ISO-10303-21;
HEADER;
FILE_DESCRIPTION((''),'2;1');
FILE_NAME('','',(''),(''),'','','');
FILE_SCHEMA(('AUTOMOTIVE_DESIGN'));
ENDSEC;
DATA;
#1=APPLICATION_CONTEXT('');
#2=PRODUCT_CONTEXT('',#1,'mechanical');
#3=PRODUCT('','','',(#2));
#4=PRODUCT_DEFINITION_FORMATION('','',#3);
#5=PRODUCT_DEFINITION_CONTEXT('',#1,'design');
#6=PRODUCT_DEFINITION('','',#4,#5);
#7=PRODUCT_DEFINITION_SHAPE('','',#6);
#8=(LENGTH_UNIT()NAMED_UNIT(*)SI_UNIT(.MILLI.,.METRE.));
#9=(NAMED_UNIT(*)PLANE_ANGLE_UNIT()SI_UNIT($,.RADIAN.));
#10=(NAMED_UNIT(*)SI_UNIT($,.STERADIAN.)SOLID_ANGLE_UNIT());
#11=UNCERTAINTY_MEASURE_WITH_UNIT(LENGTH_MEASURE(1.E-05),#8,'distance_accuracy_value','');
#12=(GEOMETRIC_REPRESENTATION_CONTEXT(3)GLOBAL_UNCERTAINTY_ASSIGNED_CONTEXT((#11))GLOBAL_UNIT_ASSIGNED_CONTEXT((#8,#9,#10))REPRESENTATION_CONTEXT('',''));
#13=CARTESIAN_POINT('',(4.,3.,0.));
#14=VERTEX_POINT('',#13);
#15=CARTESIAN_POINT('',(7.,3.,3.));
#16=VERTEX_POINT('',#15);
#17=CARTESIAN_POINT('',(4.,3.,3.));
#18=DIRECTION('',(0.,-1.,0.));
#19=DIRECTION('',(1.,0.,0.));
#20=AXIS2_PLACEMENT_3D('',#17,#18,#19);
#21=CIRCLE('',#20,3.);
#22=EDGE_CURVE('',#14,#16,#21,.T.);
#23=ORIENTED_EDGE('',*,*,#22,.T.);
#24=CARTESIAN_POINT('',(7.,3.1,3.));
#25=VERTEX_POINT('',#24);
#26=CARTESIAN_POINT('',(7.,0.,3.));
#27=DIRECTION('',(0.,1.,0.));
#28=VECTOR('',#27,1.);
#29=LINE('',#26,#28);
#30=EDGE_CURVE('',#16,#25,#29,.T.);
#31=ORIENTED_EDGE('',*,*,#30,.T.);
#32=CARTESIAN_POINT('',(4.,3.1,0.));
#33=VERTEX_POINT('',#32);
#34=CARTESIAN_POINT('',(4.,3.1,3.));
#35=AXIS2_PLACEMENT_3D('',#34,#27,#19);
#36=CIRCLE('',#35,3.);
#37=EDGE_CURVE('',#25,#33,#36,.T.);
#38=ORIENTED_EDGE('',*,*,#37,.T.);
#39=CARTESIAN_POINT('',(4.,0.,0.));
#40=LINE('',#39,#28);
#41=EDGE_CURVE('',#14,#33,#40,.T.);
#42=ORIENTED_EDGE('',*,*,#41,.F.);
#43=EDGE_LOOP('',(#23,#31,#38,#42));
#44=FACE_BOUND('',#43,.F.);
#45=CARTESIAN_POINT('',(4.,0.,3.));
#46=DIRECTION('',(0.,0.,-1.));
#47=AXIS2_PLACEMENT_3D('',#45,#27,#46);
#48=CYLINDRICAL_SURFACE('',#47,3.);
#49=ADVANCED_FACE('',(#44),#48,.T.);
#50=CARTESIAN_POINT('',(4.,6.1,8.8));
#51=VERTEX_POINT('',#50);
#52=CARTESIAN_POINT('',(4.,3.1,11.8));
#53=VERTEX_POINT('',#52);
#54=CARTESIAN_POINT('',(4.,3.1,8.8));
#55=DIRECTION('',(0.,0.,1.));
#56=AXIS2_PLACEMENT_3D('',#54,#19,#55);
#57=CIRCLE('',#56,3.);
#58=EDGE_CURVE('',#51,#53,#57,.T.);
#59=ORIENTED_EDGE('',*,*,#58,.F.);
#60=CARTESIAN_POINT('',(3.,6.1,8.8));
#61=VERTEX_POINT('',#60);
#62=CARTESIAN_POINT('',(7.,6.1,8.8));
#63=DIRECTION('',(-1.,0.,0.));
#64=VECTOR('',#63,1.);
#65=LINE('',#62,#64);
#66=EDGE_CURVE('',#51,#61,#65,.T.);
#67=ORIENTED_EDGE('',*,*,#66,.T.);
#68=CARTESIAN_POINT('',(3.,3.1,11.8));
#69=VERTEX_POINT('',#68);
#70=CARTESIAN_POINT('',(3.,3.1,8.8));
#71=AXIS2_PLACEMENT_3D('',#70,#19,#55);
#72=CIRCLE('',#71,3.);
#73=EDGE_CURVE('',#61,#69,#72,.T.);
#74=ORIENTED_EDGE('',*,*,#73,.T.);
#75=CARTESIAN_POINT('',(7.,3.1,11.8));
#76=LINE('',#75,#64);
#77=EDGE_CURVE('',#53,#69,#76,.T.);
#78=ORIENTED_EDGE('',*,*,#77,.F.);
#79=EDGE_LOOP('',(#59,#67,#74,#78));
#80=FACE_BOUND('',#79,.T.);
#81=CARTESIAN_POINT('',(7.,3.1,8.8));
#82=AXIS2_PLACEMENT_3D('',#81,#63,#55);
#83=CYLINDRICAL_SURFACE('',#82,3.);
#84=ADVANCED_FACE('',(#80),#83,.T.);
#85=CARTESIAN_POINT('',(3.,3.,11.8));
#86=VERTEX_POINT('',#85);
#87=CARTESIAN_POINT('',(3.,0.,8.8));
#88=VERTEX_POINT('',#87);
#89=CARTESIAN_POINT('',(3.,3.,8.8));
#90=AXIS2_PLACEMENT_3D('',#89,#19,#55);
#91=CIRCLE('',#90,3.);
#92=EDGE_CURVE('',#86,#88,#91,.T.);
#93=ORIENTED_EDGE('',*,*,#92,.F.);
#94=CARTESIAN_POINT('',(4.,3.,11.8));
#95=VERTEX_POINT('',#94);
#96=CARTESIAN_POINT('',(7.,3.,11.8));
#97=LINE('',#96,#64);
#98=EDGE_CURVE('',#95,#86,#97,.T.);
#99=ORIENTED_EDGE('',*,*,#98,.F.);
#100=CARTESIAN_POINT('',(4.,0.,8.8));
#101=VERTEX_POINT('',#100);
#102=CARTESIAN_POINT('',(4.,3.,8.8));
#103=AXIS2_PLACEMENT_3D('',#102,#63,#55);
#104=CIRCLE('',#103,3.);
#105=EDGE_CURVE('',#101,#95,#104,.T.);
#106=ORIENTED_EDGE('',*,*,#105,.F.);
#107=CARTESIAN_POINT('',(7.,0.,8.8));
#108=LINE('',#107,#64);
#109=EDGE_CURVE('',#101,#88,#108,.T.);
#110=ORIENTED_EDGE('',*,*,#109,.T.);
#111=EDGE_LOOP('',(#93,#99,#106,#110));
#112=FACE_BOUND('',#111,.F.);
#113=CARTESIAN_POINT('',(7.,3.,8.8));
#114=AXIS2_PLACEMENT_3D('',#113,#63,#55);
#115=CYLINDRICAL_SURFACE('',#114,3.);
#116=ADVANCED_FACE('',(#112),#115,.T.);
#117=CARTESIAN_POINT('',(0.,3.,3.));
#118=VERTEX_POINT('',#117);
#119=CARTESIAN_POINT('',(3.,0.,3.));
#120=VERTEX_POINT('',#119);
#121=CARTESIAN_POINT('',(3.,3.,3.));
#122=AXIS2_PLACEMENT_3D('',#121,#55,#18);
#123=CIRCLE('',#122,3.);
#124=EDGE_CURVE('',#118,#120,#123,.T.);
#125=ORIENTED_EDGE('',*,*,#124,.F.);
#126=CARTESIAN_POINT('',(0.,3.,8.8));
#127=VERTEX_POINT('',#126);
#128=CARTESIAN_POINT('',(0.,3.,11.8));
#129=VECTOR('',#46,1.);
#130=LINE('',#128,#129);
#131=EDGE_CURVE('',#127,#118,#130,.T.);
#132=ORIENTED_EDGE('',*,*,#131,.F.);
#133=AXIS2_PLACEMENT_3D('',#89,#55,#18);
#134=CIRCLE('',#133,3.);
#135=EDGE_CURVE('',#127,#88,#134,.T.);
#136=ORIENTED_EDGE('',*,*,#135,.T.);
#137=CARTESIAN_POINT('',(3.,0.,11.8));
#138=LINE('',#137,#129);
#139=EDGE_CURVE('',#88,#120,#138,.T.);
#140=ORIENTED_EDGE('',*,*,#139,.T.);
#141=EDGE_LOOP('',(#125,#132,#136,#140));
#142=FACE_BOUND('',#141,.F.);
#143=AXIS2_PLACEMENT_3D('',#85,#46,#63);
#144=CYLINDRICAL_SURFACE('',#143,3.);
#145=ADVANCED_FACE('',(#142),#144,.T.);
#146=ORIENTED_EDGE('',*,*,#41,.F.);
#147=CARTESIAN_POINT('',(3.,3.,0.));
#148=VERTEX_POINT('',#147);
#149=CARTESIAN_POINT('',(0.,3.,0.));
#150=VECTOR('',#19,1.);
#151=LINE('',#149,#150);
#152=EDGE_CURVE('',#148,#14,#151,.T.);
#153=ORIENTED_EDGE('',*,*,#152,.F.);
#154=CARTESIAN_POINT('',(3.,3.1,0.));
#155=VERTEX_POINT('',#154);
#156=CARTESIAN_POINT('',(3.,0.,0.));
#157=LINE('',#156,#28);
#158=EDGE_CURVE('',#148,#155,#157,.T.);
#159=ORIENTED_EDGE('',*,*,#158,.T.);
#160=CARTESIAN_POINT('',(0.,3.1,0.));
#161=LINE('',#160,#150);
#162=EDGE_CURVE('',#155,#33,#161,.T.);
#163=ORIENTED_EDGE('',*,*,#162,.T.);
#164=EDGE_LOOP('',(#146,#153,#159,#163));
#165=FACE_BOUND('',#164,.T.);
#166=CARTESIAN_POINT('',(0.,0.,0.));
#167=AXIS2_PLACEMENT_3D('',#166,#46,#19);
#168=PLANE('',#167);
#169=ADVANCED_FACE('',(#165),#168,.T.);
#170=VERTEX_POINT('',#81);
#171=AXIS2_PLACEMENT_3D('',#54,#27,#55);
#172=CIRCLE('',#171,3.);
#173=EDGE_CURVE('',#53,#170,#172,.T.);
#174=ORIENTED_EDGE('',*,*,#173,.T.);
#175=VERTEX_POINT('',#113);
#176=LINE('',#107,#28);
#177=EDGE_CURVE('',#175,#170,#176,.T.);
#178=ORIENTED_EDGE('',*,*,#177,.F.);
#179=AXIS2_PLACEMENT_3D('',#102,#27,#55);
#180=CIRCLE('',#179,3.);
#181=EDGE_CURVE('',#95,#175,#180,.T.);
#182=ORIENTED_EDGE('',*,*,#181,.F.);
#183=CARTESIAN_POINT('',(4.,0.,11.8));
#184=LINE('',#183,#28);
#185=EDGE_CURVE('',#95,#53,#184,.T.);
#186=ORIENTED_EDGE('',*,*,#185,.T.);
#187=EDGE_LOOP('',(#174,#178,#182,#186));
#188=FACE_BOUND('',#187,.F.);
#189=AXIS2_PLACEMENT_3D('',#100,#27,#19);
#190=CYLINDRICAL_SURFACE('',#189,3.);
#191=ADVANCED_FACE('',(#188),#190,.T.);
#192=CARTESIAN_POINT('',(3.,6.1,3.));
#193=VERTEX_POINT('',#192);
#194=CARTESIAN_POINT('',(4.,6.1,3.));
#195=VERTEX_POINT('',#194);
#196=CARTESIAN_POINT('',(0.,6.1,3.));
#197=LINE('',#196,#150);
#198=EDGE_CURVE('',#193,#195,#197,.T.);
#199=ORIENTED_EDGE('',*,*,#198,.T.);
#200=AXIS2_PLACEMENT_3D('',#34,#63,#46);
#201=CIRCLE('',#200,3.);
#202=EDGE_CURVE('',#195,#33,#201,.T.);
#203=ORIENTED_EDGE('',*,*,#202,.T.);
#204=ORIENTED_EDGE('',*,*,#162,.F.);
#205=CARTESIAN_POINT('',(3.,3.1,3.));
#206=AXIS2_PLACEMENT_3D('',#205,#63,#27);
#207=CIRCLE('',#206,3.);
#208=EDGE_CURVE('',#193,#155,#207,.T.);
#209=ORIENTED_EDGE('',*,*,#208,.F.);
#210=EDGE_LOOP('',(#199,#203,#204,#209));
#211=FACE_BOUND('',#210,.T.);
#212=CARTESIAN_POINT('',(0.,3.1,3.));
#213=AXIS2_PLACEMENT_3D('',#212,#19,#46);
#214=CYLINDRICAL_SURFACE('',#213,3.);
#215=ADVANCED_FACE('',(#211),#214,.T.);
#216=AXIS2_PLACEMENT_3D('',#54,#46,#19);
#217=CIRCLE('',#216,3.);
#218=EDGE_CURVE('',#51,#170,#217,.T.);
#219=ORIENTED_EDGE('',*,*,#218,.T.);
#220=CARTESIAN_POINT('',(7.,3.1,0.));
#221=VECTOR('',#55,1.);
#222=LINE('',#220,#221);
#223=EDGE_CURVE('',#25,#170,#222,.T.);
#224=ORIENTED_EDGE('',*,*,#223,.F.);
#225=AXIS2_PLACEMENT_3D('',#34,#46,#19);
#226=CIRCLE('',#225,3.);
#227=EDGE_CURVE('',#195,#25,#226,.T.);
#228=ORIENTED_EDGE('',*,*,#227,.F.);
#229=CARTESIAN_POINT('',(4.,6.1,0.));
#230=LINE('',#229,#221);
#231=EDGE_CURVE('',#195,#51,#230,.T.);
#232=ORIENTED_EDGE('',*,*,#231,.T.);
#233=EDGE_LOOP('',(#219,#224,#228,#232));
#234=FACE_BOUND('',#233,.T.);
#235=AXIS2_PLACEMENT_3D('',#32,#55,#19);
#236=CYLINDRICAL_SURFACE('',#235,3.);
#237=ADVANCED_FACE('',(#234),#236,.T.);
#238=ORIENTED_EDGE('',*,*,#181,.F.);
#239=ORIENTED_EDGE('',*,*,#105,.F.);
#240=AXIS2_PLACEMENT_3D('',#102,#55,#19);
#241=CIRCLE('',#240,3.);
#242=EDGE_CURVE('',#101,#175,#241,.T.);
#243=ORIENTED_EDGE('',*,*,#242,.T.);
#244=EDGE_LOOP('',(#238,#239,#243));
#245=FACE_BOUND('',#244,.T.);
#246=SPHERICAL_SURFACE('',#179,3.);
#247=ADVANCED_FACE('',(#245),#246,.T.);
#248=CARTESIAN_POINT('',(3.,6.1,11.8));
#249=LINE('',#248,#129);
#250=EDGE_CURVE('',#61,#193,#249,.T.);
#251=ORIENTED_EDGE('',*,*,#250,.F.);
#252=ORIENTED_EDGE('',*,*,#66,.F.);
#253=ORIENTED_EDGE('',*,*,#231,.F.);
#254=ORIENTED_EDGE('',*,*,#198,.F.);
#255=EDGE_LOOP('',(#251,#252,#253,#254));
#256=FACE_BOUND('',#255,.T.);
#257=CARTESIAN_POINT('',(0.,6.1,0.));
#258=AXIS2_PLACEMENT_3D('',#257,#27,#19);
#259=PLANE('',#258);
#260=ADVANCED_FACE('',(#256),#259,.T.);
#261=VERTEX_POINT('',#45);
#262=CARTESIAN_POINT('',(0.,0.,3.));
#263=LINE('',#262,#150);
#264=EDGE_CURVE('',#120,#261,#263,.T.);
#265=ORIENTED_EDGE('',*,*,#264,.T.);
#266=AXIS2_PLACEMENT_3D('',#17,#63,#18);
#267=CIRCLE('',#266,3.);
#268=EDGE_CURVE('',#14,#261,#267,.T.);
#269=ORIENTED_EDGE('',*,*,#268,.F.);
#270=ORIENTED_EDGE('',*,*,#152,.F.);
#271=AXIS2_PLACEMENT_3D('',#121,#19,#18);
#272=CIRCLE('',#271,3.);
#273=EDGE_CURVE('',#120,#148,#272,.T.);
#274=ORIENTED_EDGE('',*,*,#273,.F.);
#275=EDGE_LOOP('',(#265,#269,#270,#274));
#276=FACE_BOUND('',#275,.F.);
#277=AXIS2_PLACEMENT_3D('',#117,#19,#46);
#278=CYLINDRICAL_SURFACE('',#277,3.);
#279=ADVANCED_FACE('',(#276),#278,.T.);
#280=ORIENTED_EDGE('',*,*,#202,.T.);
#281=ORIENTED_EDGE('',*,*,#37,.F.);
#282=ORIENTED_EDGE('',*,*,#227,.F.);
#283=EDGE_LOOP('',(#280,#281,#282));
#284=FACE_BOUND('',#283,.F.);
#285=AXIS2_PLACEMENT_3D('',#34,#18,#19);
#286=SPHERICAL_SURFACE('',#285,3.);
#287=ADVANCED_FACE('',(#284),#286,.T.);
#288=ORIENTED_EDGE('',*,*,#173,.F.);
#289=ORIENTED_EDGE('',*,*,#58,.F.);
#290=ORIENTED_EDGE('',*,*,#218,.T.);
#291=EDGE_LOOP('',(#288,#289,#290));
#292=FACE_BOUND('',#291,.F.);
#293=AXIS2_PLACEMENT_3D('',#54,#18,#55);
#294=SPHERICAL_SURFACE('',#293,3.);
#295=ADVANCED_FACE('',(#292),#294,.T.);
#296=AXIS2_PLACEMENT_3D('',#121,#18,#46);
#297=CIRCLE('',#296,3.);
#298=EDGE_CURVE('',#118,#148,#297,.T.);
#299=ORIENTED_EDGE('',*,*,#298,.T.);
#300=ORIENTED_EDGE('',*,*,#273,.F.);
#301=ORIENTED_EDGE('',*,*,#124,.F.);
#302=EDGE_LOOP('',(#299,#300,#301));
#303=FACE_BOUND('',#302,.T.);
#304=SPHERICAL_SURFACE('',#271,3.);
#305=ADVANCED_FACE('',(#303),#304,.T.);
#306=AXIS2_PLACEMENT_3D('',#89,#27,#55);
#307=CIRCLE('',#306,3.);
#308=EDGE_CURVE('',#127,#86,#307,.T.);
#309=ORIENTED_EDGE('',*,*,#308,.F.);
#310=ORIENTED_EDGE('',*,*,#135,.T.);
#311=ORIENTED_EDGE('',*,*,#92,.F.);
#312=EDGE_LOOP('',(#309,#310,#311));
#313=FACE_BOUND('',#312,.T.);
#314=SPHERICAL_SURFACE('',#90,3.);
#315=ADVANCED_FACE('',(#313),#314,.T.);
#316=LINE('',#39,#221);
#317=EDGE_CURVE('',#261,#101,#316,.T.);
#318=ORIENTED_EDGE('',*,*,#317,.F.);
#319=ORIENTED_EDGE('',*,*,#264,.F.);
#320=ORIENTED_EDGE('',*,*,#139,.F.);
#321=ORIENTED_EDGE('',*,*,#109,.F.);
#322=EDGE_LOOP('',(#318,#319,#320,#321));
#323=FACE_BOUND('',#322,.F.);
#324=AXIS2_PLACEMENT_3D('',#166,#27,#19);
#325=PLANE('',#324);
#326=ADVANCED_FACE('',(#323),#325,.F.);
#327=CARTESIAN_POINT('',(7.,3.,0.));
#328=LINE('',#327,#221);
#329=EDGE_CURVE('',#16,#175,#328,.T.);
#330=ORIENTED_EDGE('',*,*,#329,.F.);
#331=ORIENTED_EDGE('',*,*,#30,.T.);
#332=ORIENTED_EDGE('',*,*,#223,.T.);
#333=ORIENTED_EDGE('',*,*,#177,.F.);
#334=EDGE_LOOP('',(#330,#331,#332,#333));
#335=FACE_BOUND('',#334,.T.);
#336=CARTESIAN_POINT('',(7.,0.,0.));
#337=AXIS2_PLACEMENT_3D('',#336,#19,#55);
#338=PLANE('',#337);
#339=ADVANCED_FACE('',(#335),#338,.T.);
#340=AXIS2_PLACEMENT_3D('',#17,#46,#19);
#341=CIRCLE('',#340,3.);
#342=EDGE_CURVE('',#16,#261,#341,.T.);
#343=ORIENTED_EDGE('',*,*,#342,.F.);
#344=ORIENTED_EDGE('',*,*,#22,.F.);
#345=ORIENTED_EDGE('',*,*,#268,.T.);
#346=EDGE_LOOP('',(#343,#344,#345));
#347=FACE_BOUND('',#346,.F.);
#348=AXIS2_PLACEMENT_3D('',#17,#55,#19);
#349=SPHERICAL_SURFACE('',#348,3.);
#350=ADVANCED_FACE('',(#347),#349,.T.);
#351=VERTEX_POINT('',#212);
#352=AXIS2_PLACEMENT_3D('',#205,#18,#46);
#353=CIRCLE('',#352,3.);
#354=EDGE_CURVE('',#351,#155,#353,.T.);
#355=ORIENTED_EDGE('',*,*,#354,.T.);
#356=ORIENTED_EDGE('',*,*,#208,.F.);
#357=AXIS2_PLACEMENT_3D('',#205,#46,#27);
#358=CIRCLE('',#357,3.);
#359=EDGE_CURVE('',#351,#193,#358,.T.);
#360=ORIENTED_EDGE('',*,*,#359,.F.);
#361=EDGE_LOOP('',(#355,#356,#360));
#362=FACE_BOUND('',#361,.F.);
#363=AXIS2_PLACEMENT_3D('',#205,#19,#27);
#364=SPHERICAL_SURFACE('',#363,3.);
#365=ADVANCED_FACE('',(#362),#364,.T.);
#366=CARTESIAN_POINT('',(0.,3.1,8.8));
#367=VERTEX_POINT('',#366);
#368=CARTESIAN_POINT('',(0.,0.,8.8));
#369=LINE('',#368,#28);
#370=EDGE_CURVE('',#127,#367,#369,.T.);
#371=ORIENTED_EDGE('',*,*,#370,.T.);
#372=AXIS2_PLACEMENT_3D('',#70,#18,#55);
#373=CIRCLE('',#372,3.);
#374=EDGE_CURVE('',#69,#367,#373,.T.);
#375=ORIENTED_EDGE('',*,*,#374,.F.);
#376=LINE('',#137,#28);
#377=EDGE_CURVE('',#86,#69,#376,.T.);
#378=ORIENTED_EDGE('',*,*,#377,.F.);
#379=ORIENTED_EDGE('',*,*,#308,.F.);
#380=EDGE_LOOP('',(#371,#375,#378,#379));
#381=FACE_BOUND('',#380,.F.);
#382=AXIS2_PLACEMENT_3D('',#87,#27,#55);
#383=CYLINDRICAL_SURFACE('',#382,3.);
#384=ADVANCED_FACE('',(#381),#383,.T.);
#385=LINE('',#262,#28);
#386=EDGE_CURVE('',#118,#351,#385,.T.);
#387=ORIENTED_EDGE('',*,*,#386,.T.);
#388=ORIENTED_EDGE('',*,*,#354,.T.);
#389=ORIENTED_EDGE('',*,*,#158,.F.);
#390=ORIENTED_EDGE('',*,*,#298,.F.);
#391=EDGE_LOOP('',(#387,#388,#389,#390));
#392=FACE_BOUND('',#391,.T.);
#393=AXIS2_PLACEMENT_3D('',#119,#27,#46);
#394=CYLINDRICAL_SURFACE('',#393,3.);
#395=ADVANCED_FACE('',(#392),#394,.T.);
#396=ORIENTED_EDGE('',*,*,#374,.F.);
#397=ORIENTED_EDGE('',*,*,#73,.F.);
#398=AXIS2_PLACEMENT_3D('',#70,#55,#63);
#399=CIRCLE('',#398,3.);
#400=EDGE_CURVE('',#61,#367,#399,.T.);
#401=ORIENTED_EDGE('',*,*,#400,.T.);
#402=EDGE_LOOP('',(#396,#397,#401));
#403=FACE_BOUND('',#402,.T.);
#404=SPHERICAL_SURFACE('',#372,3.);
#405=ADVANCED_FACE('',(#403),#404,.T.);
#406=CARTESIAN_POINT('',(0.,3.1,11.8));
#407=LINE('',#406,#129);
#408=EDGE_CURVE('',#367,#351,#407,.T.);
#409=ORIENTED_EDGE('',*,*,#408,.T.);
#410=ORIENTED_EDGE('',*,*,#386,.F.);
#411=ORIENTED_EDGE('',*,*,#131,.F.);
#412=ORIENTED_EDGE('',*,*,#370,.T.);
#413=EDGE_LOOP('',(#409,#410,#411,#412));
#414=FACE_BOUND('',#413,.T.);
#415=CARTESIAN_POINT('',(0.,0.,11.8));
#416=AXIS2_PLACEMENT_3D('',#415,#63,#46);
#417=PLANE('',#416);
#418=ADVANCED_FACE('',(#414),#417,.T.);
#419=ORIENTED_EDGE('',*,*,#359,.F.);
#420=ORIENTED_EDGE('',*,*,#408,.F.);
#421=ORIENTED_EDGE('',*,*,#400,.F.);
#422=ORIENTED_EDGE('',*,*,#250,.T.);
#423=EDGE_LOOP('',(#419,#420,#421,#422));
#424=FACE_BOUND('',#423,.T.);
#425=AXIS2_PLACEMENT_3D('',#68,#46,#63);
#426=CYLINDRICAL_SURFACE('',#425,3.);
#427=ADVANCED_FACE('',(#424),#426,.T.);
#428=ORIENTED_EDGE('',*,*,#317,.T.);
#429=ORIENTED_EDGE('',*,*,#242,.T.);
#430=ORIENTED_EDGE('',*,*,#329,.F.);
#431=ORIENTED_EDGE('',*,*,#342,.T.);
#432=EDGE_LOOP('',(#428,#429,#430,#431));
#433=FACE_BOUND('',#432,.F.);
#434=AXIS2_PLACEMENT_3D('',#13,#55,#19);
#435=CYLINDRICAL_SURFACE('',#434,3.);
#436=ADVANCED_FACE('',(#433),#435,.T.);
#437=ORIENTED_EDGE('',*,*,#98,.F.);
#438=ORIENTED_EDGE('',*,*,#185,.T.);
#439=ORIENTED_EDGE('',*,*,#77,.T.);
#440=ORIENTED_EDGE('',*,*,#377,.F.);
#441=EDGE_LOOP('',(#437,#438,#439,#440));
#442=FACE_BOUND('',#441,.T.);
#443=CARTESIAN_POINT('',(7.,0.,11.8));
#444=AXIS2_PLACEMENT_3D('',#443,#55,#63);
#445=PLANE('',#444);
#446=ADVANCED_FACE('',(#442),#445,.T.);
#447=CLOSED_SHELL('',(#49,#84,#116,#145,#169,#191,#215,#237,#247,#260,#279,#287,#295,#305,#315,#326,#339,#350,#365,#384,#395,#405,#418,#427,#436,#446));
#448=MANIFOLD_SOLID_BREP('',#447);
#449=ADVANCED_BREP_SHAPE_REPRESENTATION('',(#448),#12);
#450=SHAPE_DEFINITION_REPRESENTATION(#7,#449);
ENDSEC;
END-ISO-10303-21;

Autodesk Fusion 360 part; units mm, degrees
sketch "Sketch1" plane through (0, 0, 0) normal (0, 1, 0) x (1, 0, 0)
  line L0 (0, 0) -> (7, 0)
  line L1 (7, 0) -> (7, -11.8)
  line L2 (7, -11.8) -> (0, -11.8)
  line L3 (0, -11.8) -> (0, 0)
  dimension "d1" = 7
  dimension "d2" = 11.8
extrude "Extrude1" add sketch "Sketch1" along normal blind 6.1
fillet "Fillet1" radius 3 12 edges at (7, 3.05, 11.8) (3.5, 0, 11.8) (0, 3.05, 11.8) (3.5, 6.1, 11.8) (7, 0, 5.9) (7, 3.05, 0) (3.5, 0, 0) (7, 6.1, 5.9) (0, 0, 5.9) (3.5, 6.1, 0) (0, 6.1, 5.9) (0, 3.05, 0)
